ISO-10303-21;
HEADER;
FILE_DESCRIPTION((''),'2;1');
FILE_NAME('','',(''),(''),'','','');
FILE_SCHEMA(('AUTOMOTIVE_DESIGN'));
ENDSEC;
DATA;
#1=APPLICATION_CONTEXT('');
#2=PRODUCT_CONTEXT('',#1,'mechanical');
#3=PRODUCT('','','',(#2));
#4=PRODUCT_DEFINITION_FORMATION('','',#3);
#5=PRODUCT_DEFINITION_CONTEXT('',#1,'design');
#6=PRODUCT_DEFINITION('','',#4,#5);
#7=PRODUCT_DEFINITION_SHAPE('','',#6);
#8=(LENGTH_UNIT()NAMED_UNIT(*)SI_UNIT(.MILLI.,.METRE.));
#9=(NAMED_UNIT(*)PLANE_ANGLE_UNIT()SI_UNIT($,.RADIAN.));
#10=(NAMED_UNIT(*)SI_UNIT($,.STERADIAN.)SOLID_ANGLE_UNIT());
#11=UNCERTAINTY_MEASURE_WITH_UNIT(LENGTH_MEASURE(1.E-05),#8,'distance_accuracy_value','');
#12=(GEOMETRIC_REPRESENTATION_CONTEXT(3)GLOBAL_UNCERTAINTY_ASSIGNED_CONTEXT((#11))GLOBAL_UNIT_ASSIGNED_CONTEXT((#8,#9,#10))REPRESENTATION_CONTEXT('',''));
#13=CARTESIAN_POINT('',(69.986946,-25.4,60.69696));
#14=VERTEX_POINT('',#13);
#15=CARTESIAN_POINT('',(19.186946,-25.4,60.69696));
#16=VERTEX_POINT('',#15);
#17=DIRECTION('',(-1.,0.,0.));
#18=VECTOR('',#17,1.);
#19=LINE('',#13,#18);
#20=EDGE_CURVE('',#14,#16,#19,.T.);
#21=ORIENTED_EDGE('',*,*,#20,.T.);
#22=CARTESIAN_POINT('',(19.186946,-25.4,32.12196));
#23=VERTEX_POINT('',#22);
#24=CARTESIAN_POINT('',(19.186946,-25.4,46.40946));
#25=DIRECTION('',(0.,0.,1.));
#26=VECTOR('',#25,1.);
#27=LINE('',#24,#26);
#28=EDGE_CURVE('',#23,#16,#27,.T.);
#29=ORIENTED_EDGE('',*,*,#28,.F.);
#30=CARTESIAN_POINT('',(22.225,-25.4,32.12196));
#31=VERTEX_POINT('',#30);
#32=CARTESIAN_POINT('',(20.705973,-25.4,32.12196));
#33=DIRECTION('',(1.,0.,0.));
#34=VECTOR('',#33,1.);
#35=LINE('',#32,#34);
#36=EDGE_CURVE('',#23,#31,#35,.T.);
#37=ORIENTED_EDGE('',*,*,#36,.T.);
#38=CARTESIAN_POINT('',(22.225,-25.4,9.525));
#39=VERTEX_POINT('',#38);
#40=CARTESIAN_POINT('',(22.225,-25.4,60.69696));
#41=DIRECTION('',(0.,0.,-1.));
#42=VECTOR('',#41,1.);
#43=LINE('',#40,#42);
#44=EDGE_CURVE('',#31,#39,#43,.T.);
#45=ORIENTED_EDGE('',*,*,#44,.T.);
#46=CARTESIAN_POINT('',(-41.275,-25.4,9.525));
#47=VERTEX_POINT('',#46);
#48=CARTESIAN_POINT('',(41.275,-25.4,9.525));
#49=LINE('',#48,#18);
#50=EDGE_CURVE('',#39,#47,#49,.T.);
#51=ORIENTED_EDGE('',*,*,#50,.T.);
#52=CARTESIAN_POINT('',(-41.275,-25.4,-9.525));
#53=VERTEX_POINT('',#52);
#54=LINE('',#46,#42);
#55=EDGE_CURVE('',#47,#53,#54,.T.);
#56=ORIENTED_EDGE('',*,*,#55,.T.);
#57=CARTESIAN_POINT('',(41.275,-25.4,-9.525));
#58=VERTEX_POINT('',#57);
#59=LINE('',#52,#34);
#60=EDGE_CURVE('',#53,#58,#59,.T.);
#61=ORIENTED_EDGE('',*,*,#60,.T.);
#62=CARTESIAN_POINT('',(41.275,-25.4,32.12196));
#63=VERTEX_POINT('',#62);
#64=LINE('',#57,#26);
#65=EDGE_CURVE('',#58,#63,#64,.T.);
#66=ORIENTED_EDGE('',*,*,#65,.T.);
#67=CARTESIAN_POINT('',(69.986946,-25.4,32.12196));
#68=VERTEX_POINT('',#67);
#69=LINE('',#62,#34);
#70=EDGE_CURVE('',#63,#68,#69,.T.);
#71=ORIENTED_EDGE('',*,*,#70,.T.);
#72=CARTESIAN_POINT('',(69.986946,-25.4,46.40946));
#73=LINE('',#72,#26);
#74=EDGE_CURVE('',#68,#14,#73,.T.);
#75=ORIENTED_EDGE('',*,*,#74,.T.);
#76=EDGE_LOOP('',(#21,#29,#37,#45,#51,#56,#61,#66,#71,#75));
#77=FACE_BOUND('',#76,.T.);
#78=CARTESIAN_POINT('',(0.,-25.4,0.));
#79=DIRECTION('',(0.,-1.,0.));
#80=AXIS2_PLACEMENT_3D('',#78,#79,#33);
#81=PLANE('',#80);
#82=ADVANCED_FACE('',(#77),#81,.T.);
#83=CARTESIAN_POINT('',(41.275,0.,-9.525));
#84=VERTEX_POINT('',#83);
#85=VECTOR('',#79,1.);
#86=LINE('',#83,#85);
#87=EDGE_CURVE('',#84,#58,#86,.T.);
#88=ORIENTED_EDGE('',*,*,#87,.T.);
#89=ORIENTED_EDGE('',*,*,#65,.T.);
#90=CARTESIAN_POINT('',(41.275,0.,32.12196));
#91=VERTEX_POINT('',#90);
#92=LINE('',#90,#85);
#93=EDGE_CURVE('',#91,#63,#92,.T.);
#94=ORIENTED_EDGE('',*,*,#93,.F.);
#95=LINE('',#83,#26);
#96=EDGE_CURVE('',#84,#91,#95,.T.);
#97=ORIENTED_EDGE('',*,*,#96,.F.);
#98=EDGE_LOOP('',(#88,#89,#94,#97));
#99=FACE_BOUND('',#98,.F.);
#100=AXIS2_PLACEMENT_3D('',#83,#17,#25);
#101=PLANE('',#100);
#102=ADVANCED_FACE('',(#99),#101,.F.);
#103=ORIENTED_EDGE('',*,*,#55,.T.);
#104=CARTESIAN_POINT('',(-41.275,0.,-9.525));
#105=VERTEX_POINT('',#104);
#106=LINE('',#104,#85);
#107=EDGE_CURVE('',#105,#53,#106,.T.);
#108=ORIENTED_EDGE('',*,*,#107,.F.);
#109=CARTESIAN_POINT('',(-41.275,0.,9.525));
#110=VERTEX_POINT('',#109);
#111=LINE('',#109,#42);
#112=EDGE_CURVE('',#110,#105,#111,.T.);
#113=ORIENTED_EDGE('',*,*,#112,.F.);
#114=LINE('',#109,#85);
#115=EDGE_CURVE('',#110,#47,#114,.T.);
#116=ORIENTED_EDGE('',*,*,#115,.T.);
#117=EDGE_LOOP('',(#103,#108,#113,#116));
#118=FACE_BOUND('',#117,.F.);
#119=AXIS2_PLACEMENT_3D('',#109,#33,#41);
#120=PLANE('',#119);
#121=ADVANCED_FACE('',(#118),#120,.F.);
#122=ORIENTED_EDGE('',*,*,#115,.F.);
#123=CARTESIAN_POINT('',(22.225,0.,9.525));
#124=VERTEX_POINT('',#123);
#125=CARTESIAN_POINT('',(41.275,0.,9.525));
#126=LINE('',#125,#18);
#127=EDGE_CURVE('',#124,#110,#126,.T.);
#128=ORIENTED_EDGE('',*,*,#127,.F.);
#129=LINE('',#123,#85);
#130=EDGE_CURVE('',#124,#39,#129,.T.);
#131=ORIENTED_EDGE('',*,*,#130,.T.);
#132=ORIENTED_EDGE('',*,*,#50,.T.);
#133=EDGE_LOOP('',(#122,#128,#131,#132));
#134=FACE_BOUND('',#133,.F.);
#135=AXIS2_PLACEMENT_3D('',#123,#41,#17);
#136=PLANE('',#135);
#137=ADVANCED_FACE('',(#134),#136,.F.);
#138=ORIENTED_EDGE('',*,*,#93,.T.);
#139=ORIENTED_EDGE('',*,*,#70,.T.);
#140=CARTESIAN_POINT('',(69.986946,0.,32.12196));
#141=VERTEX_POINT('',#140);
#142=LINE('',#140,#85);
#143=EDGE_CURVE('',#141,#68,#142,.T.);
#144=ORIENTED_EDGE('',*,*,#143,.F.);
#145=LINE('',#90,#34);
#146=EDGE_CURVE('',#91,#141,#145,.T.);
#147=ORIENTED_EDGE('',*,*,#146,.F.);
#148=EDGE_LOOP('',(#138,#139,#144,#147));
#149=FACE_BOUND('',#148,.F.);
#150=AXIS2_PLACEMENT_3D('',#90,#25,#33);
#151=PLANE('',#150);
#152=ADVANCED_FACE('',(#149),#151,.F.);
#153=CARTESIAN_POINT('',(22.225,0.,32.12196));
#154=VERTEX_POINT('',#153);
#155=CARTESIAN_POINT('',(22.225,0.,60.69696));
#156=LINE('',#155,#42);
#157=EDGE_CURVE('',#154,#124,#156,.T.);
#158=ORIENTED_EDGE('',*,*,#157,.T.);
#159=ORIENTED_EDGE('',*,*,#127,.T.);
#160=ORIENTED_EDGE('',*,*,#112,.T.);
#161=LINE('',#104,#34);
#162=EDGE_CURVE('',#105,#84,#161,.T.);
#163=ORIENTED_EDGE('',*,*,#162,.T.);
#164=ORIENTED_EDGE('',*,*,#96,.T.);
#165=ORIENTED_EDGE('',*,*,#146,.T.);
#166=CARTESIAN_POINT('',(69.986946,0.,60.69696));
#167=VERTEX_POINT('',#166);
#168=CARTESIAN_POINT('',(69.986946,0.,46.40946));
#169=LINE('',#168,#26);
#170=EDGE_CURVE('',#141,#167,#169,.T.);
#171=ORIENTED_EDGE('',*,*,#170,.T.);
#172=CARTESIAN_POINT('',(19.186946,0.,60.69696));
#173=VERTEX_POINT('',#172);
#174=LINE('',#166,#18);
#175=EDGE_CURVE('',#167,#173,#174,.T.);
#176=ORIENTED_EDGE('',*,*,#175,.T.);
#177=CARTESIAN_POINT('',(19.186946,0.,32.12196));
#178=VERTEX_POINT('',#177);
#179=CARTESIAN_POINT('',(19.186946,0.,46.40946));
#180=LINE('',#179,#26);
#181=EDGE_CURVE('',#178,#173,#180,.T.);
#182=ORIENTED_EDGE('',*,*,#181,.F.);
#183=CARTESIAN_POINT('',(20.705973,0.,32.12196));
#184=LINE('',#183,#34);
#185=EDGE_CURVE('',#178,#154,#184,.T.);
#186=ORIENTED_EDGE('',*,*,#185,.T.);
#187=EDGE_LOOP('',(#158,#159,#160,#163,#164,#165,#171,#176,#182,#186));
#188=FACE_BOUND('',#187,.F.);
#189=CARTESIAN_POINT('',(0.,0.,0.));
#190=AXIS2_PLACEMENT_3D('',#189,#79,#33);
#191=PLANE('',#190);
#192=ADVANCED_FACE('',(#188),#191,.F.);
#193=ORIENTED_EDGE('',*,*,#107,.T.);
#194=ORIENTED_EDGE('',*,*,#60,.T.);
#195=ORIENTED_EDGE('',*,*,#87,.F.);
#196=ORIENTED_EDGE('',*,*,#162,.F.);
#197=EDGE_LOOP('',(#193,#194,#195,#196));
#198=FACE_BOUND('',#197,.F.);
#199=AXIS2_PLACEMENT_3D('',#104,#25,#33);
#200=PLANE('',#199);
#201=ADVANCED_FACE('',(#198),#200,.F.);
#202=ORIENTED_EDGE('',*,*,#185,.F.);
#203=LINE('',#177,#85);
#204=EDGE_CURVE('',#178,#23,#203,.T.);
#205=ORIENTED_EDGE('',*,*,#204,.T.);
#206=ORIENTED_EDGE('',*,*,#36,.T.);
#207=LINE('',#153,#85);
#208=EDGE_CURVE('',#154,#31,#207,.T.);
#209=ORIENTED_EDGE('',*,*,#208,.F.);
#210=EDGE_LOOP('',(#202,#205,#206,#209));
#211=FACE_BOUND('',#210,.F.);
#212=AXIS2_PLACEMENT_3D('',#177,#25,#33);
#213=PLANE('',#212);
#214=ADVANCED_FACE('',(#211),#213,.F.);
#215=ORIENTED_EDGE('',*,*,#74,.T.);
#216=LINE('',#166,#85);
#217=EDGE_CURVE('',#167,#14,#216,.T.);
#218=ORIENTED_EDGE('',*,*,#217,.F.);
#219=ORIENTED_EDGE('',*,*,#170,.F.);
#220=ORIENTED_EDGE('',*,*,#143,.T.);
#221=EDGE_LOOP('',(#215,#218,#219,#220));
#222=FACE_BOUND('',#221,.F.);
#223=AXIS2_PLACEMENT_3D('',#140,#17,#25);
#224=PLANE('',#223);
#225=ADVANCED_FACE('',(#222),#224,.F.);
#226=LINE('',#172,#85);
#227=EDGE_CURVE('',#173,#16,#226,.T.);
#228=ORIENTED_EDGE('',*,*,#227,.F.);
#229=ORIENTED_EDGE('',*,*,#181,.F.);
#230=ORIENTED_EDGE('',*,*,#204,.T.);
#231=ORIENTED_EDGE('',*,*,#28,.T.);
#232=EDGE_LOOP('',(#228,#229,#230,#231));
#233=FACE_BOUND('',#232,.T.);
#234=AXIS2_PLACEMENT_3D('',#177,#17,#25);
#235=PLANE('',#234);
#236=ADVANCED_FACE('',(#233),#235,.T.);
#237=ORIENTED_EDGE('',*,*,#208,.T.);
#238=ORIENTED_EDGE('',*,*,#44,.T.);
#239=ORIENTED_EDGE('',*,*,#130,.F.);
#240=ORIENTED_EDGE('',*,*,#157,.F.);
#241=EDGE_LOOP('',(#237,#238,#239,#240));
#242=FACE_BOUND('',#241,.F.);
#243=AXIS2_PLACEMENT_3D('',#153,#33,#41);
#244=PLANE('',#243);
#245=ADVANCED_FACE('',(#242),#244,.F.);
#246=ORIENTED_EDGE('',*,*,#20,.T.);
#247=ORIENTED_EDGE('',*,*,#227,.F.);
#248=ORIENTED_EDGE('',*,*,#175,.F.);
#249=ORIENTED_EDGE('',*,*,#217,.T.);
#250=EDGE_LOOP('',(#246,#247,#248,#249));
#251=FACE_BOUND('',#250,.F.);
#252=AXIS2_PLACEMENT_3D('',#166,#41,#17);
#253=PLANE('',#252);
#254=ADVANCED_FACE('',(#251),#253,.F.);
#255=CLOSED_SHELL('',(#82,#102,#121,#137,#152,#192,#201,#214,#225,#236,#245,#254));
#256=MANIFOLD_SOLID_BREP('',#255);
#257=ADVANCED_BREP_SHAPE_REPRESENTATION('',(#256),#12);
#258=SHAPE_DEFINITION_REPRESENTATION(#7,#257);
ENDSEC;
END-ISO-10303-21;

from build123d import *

# Parameters (mm, degrees)
F0_W     = 13.97
F0_H     = 28.575
F0_W_2   = 3.038054
F0_W_3   = 14.741946
F1_DEPTH = 25.4


with BuildPart() as f1:
    # F0 (on Front) → F1 (new body)
    with BuildSketch(Plane.XZ):
        Polygon((-41.275, 9.525), (-41.275, -9.525), (41.275, -9.525), (41.275, 9.525), (22.225, 9.525), align=None)
        Polygon((22.225, 9.525), (41.275, 9.525), (41.275, 32.12196), (28.457038, 32.12196), (22.225, 32.12196), align=None)
        with Locations((48.26, 46.40946)):
            Rectangle(F0_W, F0_H)
        Polygon((28.457038, 32.12196), (41.275, 32.12196), (41.275, 60.69696), (22.225, 60.69696), (22.225, 32.12196), align=None)
        with Locations((20.705973, 46.40946)):
            Rectangle(F0_W_2, F0_H)
        with Locations((62.615973, 46.40946)):
            Rectangle(F0_W_3, F0_H)
    extrude(amount=F1_DEPTH)


solid = f1.part
